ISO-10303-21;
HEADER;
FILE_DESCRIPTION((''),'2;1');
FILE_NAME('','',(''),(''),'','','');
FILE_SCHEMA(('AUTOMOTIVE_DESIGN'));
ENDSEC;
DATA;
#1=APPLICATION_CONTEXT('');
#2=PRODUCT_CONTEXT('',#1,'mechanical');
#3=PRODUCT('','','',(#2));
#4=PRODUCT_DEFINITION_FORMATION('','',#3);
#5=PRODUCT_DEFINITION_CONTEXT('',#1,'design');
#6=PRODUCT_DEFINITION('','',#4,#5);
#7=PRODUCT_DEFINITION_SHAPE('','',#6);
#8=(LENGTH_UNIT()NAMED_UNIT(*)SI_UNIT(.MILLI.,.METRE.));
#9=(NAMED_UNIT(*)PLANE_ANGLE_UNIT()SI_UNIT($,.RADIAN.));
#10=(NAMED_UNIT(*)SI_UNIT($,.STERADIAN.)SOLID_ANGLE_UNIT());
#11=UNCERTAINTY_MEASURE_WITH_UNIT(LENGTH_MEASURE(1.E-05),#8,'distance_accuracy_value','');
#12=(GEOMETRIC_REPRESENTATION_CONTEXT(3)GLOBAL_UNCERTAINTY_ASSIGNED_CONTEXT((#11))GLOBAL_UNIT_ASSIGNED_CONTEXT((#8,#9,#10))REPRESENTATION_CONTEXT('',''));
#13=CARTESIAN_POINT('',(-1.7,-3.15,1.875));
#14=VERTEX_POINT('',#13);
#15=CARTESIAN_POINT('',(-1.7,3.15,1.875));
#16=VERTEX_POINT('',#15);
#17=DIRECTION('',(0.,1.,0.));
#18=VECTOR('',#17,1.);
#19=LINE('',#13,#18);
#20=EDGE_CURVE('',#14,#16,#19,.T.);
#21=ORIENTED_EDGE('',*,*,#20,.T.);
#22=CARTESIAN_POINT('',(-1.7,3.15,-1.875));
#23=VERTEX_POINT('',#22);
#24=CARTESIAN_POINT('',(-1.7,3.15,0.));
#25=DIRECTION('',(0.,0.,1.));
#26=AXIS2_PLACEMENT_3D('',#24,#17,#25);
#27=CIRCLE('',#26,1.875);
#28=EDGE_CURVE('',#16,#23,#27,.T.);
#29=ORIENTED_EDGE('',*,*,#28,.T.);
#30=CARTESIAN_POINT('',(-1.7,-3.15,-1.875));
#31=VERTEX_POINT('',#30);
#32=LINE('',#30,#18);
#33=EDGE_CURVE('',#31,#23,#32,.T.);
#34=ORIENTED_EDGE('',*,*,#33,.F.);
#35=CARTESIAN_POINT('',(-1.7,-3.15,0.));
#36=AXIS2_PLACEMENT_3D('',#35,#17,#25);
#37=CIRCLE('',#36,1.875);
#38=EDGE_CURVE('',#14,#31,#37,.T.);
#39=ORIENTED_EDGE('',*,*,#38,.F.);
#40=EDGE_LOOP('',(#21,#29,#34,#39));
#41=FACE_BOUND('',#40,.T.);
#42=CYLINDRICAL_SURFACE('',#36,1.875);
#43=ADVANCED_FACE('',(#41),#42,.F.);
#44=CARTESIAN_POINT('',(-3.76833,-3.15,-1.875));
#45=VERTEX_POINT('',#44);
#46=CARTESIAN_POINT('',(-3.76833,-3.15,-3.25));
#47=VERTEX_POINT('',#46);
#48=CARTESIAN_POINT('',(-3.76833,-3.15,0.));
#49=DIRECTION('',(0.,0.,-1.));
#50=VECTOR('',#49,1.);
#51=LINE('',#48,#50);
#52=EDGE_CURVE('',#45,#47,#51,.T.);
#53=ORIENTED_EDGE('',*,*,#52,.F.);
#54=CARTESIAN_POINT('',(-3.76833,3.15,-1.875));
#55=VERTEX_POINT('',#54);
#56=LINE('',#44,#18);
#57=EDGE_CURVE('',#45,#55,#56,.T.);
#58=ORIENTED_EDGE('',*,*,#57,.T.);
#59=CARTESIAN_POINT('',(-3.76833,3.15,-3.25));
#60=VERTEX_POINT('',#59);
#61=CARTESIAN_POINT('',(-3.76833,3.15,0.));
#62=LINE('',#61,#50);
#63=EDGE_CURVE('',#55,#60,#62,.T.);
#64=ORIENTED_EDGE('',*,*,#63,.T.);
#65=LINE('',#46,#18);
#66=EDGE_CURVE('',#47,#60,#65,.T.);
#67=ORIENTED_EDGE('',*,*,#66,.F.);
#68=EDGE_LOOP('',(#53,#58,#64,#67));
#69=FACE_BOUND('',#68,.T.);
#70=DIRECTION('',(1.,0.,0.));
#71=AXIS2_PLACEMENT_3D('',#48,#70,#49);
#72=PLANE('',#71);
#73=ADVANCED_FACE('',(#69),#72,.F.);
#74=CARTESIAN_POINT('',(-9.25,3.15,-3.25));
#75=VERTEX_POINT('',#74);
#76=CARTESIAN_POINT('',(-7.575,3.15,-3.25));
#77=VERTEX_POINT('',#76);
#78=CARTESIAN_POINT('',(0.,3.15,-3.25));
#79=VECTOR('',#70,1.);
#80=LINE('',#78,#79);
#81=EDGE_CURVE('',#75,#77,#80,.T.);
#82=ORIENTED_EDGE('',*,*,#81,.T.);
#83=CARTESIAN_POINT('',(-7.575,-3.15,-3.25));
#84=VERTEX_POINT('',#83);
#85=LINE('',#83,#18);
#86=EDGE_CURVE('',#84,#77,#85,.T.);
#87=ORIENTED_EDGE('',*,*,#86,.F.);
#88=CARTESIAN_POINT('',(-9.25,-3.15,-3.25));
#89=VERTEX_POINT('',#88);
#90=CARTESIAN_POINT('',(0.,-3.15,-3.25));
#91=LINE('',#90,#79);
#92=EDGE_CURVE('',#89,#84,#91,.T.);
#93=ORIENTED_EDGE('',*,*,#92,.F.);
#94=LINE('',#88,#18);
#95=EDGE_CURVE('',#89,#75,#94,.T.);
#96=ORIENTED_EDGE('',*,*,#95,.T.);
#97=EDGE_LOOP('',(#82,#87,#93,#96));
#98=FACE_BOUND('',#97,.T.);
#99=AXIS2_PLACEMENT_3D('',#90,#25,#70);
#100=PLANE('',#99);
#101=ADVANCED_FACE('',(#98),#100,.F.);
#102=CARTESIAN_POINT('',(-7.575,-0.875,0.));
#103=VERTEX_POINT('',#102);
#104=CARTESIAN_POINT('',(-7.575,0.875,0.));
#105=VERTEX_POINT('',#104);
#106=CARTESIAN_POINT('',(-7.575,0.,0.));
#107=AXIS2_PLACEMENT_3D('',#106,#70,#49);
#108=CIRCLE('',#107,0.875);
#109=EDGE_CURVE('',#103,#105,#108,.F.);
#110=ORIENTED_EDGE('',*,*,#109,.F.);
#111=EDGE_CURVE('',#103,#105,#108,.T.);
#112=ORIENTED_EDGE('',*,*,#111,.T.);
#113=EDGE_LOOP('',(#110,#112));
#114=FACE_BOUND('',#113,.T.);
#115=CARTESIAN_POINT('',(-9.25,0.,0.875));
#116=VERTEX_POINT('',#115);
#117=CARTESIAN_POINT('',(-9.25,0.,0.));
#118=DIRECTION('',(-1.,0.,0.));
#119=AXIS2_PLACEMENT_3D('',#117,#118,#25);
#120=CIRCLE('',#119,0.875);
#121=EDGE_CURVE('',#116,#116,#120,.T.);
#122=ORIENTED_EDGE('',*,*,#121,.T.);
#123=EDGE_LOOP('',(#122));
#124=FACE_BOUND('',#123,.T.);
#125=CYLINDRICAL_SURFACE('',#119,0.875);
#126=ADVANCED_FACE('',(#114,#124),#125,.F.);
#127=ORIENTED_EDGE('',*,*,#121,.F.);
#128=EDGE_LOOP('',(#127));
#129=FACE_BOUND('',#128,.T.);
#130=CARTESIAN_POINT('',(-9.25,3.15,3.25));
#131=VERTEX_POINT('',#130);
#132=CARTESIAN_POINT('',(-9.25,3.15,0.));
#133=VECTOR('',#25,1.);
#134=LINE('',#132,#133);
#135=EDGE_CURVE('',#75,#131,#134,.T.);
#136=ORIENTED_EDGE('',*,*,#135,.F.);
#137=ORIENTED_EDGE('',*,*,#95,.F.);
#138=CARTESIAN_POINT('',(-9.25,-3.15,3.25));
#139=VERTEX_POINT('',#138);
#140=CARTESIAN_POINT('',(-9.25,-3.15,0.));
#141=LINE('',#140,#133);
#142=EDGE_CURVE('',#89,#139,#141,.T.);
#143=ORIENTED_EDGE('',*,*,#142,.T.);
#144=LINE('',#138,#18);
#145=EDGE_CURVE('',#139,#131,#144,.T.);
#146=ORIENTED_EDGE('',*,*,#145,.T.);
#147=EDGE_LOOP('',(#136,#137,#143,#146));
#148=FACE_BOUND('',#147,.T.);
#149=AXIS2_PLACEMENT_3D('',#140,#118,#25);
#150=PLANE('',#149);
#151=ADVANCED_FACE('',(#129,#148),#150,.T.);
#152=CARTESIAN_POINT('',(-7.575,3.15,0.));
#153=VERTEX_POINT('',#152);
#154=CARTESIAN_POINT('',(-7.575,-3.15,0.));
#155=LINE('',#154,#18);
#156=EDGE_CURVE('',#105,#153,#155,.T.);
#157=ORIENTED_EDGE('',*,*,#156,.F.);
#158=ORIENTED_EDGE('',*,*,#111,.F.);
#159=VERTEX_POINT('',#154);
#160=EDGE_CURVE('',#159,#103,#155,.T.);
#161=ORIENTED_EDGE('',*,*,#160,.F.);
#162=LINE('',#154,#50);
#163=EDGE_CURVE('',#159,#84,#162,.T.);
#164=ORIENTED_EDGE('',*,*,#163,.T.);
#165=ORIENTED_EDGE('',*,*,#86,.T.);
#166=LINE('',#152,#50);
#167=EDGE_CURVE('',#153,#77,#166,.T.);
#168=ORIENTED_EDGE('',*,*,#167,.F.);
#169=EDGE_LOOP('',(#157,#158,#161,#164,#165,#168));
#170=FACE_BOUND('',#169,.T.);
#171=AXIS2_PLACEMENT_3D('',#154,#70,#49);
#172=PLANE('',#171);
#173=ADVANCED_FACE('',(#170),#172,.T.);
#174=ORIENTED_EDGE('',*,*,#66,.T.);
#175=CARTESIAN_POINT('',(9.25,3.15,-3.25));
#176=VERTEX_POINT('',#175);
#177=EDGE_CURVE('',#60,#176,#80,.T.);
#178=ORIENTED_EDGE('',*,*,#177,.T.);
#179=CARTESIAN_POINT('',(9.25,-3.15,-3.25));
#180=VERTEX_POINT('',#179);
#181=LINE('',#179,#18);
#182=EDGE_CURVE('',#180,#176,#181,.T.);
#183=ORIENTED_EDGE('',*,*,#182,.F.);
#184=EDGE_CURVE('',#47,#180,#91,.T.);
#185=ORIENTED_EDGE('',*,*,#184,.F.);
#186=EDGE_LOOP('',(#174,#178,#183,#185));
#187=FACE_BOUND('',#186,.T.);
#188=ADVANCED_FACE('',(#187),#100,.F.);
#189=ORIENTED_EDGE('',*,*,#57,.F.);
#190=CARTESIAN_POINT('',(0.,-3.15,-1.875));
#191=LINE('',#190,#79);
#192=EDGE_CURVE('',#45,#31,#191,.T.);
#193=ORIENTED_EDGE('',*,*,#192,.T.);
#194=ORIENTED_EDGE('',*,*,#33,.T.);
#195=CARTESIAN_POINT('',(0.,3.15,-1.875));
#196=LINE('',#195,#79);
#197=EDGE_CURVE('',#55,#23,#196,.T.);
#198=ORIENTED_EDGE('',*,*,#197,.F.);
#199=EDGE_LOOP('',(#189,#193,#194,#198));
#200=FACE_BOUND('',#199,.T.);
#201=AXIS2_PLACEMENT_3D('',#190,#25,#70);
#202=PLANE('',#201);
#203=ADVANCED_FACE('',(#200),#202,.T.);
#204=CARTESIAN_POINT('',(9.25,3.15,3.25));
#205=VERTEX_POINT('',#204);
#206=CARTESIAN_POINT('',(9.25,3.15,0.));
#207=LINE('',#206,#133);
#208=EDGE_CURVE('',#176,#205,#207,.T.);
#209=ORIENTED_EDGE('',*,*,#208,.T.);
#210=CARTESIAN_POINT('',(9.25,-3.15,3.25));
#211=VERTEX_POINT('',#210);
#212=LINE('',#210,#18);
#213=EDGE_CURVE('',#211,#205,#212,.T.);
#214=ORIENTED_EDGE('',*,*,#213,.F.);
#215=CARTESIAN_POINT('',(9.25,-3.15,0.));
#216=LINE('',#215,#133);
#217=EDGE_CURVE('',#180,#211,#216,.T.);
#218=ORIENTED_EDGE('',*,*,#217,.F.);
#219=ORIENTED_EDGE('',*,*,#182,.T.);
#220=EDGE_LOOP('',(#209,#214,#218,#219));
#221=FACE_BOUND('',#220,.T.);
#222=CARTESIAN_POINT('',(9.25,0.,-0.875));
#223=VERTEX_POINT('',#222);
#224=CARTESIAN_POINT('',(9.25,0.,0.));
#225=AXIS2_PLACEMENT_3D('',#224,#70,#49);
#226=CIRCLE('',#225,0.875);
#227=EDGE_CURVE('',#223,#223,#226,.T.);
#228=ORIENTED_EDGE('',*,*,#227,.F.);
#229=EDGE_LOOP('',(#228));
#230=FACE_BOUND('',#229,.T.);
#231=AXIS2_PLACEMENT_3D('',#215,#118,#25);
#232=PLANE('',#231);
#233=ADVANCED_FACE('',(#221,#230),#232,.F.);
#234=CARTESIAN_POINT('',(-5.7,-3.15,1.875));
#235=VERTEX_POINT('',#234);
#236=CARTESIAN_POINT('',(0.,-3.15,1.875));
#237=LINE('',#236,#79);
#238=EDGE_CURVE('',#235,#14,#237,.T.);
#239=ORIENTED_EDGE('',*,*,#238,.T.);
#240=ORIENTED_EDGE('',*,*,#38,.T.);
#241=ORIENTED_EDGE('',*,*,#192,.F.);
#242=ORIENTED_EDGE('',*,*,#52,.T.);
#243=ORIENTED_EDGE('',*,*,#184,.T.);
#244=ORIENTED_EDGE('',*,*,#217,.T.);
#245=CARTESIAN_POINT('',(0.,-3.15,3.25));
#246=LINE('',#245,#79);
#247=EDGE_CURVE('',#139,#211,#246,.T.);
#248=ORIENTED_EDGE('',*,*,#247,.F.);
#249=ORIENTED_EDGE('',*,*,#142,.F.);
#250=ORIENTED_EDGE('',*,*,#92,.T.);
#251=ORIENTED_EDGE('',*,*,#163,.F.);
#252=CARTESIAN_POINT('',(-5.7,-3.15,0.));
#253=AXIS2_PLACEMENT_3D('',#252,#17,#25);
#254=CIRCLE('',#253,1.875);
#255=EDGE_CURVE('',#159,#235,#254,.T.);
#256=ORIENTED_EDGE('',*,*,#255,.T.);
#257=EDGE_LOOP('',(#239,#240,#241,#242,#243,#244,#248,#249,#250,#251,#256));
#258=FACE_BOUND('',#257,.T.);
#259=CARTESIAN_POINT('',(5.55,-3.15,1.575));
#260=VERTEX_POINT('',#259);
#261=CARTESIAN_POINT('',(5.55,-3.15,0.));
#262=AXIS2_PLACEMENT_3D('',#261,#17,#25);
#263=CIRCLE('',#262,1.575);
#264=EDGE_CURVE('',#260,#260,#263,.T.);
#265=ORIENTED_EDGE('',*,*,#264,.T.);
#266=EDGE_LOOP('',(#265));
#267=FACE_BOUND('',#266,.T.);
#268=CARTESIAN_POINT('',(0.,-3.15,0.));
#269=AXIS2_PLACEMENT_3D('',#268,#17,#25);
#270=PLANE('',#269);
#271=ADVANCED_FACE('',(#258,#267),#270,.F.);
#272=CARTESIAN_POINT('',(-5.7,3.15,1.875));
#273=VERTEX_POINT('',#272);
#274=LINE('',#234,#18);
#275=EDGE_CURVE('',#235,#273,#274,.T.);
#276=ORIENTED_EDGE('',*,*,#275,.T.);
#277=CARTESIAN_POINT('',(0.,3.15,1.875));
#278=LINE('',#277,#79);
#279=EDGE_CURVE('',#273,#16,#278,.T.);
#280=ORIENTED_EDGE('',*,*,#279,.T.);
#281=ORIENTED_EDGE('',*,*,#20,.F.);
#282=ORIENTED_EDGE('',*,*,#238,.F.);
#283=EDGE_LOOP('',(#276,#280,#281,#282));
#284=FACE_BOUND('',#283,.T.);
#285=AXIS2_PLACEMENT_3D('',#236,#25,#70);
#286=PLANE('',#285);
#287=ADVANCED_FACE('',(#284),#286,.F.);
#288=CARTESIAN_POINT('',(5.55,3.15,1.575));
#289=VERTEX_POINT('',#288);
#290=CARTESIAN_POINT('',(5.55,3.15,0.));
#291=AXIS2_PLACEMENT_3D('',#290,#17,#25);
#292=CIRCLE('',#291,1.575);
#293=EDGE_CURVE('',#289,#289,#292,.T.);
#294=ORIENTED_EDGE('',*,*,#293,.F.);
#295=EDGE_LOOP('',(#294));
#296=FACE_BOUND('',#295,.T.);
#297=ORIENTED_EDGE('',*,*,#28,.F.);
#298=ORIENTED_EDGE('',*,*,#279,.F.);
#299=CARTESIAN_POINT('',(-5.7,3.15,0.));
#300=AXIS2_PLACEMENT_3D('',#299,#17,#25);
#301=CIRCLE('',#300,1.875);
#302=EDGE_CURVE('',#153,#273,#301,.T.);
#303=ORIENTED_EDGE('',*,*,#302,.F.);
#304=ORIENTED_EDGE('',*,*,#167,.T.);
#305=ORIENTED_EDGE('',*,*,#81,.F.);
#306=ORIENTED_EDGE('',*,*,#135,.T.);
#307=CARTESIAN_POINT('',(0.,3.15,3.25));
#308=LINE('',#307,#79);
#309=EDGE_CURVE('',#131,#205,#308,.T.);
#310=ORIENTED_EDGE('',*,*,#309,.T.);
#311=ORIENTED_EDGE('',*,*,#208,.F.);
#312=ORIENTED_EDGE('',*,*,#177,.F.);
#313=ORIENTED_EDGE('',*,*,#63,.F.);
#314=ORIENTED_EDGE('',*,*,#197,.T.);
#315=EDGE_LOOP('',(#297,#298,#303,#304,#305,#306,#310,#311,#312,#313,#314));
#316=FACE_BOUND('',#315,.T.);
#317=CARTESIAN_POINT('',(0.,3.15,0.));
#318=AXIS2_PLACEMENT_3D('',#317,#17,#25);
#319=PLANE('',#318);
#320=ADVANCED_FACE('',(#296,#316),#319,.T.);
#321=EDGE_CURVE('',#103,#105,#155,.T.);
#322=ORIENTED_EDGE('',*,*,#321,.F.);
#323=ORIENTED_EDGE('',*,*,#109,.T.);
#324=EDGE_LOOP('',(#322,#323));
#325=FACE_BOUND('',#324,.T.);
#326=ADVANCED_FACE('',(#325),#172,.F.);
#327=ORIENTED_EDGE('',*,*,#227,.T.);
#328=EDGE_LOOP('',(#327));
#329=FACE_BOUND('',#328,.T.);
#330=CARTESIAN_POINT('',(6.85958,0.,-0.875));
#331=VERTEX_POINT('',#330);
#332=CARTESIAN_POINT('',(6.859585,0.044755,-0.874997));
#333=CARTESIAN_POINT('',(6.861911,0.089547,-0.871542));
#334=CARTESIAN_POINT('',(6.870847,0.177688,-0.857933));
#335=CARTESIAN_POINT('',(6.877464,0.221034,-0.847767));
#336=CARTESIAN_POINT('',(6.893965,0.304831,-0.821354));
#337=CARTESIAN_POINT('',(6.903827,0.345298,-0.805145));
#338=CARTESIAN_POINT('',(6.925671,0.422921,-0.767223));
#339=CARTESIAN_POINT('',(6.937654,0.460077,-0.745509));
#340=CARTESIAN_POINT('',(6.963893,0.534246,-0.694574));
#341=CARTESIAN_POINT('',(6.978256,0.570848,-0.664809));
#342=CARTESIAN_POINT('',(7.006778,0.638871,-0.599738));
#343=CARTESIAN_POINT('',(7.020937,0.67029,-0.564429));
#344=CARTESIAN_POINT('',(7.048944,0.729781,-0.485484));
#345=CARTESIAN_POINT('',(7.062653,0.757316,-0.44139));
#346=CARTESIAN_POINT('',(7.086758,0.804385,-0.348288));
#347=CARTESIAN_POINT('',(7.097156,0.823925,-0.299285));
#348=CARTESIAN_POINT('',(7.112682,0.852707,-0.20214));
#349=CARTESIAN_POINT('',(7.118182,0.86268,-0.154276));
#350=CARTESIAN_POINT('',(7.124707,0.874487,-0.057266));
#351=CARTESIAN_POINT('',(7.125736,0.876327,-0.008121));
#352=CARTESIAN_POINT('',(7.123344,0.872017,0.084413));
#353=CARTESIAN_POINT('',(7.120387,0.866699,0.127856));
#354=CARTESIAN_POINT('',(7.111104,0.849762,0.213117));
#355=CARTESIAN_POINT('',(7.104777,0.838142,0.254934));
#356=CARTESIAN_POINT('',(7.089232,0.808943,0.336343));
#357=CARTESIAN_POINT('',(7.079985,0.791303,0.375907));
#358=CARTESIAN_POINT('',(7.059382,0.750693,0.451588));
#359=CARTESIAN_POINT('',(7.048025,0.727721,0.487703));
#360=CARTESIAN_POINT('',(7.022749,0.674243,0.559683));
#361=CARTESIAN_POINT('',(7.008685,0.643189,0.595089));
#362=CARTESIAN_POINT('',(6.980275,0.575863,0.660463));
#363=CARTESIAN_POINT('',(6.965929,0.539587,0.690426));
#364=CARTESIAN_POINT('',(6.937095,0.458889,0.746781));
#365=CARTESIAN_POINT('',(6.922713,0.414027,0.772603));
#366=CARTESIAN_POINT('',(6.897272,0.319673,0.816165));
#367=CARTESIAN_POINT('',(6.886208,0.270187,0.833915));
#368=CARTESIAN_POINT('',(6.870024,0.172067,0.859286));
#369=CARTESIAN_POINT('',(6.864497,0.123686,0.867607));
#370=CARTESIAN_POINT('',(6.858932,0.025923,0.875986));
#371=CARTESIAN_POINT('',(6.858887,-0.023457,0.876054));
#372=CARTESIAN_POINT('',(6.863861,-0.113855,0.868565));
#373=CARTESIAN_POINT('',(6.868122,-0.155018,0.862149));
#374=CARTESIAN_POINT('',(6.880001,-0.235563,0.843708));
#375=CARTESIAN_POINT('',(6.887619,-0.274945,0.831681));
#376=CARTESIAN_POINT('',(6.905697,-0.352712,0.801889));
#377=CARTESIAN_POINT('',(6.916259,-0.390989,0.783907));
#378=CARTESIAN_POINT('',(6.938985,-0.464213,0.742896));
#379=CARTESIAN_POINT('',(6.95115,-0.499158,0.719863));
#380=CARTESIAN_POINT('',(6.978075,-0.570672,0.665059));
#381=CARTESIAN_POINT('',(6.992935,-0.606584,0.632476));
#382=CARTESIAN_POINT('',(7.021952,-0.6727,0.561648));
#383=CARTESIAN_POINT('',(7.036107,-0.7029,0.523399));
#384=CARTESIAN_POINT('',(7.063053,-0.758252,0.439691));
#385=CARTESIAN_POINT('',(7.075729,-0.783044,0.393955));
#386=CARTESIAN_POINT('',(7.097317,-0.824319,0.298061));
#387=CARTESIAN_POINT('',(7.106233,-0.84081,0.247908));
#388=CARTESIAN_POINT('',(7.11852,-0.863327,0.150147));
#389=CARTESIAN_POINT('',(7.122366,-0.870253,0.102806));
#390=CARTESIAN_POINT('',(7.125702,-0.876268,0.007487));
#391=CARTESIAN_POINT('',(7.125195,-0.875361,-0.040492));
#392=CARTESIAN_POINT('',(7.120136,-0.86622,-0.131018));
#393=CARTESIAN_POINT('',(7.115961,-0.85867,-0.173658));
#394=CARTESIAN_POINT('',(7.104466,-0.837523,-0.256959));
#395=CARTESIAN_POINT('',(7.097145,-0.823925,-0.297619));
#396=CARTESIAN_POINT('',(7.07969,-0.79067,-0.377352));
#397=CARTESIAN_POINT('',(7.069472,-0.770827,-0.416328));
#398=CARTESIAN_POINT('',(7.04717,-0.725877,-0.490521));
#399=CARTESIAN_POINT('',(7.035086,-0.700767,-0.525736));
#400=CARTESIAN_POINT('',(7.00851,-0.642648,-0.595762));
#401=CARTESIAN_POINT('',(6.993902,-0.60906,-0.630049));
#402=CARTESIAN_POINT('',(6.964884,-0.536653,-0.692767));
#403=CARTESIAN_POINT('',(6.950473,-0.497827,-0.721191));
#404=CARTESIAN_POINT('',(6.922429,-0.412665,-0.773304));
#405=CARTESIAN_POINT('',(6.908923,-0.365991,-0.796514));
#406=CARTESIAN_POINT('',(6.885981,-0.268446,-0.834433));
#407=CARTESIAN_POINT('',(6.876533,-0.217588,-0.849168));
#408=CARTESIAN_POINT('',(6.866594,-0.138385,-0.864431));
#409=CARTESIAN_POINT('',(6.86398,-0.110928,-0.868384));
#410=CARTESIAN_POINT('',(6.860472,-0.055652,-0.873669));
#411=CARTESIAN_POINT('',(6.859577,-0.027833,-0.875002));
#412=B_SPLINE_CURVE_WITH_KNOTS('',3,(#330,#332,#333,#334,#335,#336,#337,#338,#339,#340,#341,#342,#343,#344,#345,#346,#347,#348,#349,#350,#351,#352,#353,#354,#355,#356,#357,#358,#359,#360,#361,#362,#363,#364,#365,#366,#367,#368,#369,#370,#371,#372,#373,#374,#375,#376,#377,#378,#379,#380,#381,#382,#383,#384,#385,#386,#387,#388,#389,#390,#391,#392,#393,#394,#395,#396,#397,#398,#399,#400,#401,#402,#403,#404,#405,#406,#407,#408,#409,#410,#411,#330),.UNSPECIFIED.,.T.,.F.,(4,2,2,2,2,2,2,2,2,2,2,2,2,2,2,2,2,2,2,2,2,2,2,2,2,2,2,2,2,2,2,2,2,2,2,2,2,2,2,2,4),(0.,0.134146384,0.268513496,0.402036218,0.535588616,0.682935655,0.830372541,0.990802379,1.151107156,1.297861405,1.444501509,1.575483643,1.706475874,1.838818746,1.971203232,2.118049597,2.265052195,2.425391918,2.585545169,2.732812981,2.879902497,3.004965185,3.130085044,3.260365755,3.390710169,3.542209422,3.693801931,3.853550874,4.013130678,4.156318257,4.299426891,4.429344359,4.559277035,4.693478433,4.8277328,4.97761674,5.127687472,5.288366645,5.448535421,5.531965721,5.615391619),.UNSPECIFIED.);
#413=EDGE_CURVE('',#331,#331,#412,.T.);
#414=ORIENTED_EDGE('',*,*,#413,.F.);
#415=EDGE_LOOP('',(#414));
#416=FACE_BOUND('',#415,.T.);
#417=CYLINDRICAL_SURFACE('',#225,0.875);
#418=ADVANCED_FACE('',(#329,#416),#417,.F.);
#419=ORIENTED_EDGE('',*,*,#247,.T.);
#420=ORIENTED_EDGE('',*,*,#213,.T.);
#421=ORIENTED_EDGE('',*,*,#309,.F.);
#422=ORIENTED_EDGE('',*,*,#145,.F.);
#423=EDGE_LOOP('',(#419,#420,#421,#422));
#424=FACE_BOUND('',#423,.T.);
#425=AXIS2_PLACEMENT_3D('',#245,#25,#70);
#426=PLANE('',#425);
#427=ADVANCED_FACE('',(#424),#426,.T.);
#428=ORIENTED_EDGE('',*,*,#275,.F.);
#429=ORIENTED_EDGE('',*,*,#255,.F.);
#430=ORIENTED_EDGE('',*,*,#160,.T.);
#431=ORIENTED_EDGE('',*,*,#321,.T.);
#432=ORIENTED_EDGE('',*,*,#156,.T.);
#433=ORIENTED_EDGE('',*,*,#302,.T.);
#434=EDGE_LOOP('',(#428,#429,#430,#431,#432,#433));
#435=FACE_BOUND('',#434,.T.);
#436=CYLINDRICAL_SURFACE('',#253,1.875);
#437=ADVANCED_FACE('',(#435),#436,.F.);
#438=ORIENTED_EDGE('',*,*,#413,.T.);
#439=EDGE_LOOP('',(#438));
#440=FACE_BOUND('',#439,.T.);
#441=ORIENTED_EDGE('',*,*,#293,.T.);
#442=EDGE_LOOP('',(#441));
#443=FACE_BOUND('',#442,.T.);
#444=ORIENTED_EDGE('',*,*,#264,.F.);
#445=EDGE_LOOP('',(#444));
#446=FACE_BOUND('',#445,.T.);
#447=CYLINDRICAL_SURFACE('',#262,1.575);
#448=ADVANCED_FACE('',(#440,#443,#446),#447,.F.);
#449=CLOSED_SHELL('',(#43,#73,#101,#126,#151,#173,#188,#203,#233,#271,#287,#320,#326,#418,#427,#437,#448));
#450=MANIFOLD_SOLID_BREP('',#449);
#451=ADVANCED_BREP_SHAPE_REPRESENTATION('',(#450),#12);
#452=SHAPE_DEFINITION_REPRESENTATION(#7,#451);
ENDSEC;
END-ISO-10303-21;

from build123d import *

# Parameters (mm, degrees)
SKETCH1_R                   = 1.575
BOSS_EXTRUDE1_DEPTH         = 3.15
BOSS_EXTRUDE1_DEPTH_BACK    = 3.15
M2X0_25_TAPPED_HOLE1_D      = 1.75
M2X0_25_TAPPED_HOLE1_DEPTH  = 1.675
M2X0_25_TAPPED_HOLE2_REACH  = 21.046
M2X0_25_TAPPED_HOLE2_BORE_R = 0.875


with BuildPart() as part:
    # Sketch1 → Boss-Extrude1 (new, two sides)
    with BuildSketch(Plane(origin=(0, 0, 0), x_dir=(1, 0, 0), z_dir=(0, 1, 0))) as boss_extrude1_sk:
        with BuildLine():
            Line((-7.575, 3.25), (-9.25, 3.25))
            Line((-9.25, 3.25), (-9.25, -3.25))
            Line((-9.25, -3.25), (9.25, -3.25))
            Line((9.25, -3.25), (9.25, 3.25))
            Line((9.25, 3.25), (-3.76833041, 3.25))
            Line((-3.76833041, 3.25), (-3.76833041, 1.875))
            Line((-3.76833041, 1.875), (-1.7, 1.875))
            ThreePointArc((-1.7, 1.875), (0.175, 0), (-1.7, -1.875))
            Line((-1.7, -1.875), (-5.7, -1.875))
            ThreePointArc((-5.7, -1.875), (-7.025825215, -1.325825215), (-7.575, 0))
            Line((-7.575, 0), (-7.575, 3.25))
        make_face()
        with Locations(Location((5.55, 0, 0), (0, 0, 270))):
            Circle(SKETCH1_R, mode=Mode.SUBTRACT)
    extrude(amount=BOSS_EXTRUDE1_DEPTH)
    extrude(boss_extrude1_sk.sketch, amount=-BOSS_EXTRUDE1_DEPTH_BACK)

    # M2x0.25 Tapped Hole1
    with Locations(Plane.ZY.offset(9.25)):
        with Locations((0, 0)):
            Hole(M2X0_25_TAPPED_HOLE1_D / 2, depth=M2X0_25_TAPPED_HOLE1_DEPTH)

    # M2x0.25 Tapped Hole2 bore → M2x0.25 Tapped Hole2 (cut, up to next)
    with BuildSketch(Plane(origin=(9.25, 0, 0), x_dir=(0, 0, -1), z_dir=(1, 0, 0)), mode=Mode.PRIVATE) as m2x0_25_tapped_hole2_sk1:
        Circle(M2X0_25_TAPPED_HOLE2_BORE_R)
    m2x0_25_tapped_hole2_tool1 = extrude(m2x0_25_tapped_hole2_sk1.sketch, amount=-M2X0_25_TAPPED_HOLE2_REACH, mode=Mode.PRIVATE) & part.part
    add(m2x0_25_tapped_hole2_tool1.solids().sort_by_distance((9.25, 0, 0))[0], mode=Mode.SUBTRACT)


solid = part.part
